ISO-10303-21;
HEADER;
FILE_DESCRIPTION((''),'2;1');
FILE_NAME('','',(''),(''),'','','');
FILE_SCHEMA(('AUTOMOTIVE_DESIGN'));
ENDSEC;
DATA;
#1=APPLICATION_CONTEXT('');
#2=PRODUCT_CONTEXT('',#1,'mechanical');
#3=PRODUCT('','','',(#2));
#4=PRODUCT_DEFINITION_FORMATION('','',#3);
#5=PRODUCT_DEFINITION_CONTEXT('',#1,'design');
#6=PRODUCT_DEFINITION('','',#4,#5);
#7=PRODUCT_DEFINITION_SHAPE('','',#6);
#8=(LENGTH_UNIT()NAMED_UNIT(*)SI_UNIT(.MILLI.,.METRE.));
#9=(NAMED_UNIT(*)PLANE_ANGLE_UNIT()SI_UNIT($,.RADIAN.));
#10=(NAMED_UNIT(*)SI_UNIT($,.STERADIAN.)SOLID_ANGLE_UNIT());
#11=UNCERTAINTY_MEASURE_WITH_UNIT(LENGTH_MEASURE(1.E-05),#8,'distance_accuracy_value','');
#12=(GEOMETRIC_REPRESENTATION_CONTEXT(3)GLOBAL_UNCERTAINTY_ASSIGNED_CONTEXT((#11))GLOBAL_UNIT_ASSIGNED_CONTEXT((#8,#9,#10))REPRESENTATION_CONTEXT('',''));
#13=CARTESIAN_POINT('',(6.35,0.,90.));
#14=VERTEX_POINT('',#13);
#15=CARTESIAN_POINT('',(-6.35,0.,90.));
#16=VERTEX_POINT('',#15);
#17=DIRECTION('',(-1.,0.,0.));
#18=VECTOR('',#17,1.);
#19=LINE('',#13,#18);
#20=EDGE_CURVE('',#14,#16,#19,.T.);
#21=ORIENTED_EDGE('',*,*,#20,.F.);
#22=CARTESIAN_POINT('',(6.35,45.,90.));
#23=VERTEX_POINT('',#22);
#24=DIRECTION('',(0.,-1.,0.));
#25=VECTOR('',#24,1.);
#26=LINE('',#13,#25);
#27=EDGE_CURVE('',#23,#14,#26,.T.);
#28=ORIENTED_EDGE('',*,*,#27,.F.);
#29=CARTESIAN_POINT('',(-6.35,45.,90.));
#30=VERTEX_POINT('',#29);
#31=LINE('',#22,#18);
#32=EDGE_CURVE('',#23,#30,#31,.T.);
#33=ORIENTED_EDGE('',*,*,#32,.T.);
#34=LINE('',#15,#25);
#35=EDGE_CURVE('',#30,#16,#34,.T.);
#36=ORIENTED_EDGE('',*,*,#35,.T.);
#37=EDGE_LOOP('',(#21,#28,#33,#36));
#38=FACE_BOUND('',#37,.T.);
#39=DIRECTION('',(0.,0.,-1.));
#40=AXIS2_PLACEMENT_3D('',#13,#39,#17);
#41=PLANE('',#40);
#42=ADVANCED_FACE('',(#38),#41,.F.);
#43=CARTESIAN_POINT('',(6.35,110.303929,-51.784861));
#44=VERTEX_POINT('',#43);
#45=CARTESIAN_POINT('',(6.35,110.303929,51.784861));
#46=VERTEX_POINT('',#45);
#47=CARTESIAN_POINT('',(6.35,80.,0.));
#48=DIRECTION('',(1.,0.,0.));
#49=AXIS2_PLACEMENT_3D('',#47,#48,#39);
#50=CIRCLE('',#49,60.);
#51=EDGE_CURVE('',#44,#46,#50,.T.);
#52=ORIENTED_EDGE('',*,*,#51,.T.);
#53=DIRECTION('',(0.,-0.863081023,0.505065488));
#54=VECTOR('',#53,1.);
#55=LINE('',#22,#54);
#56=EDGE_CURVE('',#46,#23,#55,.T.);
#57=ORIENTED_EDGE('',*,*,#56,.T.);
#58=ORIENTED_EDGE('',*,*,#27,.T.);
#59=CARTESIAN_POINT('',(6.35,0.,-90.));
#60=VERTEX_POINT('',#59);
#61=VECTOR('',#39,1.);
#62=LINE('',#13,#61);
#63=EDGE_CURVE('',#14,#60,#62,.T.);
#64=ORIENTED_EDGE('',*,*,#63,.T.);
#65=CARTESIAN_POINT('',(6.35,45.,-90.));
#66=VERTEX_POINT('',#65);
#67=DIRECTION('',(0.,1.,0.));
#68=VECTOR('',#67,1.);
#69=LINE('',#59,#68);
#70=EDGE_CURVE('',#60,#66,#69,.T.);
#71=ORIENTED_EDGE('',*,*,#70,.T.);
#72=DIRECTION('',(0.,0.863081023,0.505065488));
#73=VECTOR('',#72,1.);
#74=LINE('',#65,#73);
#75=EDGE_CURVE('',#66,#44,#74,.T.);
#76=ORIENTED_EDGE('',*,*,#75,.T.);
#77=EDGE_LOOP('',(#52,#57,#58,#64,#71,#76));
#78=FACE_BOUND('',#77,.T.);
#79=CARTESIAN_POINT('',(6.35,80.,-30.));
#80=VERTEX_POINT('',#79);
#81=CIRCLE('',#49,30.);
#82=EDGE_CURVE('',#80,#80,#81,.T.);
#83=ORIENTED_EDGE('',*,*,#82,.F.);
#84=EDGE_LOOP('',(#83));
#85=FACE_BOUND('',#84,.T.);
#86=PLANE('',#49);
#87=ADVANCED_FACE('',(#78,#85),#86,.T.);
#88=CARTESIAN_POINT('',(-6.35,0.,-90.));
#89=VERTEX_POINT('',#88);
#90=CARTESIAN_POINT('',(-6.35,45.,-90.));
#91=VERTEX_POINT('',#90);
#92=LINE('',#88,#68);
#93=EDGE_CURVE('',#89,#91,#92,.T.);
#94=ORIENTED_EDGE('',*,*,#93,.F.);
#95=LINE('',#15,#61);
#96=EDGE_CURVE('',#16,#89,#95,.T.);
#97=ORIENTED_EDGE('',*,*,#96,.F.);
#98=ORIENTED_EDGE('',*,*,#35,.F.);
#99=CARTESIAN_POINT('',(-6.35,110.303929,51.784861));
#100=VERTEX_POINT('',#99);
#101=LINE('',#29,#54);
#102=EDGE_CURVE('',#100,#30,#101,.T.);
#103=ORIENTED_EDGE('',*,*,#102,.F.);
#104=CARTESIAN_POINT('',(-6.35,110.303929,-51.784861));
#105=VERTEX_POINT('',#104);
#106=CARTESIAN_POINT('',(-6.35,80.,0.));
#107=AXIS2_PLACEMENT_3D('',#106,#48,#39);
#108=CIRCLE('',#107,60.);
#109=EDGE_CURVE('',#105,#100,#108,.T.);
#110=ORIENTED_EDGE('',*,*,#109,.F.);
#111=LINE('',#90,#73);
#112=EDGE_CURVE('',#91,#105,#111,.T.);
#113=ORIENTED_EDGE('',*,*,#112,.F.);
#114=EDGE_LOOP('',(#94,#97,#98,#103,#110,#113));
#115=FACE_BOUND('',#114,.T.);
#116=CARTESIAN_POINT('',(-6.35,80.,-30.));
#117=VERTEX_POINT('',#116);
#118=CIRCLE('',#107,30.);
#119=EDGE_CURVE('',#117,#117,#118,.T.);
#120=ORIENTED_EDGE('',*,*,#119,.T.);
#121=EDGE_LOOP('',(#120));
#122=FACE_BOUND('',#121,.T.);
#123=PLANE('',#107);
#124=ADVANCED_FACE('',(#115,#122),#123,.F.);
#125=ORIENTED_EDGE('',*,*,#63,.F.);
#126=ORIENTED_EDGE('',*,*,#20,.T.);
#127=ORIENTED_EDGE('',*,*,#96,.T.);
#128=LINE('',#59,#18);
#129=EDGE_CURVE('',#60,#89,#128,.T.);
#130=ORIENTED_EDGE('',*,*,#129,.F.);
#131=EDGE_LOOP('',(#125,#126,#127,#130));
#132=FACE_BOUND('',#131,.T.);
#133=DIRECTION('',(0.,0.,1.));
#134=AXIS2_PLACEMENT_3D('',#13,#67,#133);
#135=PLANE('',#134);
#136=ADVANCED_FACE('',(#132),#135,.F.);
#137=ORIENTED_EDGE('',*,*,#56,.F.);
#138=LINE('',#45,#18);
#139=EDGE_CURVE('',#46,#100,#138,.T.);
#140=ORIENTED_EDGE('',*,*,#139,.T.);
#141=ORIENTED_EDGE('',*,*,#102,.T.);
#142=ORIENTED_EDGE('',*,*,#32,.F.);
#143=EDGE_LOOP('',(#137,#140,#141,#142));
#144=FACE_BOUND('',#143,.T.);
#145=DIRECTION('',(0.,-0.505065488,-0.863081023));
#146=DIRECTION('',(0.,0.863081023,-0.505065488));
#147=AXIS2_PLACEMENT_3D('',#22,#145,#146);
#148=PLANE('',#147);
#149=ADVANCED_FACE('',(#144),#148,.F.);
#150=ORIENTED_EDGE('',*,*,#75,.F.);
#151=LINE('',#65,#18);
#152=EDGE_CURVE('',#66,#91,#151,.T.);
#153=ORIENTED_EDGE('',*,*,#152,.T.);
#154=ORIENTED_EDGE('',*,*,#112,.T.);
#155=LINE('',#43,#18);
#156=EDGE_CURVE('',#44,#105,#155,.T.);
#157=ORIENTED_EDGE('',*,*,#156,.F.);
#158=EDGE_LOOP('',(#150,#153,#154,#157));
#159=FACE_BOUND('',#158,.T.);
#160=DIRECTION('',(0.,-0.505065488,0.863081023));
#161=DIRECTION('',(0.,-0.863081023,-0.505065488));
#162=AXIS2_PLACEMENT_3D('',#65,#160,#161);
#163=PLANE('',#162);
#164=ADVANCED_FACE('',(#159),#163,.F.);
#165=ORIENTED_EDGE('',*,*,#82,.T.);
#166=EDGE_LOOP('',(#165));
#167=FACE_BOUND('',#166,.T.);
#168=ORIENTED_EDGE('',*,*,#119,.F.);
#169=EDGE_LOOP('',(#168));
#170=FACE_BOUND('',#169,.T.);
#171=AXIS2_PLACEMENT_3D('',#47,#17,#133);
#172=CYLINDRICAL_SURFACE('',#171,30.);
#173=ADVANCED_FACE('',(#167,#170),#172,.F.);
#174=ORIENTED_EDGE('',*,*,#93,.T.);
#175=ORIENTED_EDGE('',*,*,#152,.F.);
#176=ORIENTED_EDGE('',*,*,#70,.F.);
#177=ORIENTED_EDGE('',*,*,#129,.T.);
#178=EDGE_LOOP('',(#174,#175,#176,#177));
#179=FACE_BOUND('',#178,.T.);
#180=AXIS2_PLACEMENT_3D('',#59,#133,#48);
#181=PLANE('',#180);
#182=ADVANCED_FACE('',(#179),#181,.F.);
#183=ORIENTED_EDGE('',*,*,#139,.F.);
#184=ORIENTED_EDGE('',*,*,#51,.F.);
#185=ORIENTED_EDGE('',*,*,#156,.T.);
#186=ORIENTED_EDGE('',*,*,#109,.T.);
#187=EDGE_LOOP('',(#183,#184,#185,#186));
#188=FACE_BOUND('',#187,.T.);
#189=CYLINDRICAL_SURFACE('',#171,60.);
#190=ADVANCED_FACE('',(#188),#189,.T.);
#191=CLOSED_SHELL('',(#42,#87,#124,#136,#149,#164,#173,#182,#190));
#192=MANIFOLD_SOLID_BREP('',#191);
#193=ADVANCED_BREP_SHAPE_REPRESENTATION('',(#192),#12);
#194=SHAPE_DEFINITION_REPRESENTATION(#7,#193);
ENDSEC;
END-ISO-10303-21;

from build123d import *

# Parameters (mm, degrees)
SKETCH1_R           = 30
BOSS_EXTRUDE1_DEPTH = 6.35


with BuildPart() as part:
    # Sketch1 → Boss-Extrude1 (new, symmetric)
    with BuildSketch(Plane(origin=(0, 0, 0), x_dir=(0, 0, -1), z_dir=(1, 0, 0))):
        with BuildLine():
            Line((90, 0), (90, 45))
            Line((90, 45), (51.784861392, 110.303929293))
            ThreePointArc((51.784861392, 110.303929293), (0, 140), (-51.784861392, 110.303929293))
            Line((-51.784861392, 110.303929293), (-90, 45))
            Line((-90, 45), (-90, 0))
            Line((-90, 0), (90, 0))
        make_face()
        with Locations((0, 80)):
            Circle(SKETCH1_R, mode=Mode.SUBTRACT)
    extrude(amount=BOSS_EXTRUDE1_DEPTH, both=True)


solid = part.part
